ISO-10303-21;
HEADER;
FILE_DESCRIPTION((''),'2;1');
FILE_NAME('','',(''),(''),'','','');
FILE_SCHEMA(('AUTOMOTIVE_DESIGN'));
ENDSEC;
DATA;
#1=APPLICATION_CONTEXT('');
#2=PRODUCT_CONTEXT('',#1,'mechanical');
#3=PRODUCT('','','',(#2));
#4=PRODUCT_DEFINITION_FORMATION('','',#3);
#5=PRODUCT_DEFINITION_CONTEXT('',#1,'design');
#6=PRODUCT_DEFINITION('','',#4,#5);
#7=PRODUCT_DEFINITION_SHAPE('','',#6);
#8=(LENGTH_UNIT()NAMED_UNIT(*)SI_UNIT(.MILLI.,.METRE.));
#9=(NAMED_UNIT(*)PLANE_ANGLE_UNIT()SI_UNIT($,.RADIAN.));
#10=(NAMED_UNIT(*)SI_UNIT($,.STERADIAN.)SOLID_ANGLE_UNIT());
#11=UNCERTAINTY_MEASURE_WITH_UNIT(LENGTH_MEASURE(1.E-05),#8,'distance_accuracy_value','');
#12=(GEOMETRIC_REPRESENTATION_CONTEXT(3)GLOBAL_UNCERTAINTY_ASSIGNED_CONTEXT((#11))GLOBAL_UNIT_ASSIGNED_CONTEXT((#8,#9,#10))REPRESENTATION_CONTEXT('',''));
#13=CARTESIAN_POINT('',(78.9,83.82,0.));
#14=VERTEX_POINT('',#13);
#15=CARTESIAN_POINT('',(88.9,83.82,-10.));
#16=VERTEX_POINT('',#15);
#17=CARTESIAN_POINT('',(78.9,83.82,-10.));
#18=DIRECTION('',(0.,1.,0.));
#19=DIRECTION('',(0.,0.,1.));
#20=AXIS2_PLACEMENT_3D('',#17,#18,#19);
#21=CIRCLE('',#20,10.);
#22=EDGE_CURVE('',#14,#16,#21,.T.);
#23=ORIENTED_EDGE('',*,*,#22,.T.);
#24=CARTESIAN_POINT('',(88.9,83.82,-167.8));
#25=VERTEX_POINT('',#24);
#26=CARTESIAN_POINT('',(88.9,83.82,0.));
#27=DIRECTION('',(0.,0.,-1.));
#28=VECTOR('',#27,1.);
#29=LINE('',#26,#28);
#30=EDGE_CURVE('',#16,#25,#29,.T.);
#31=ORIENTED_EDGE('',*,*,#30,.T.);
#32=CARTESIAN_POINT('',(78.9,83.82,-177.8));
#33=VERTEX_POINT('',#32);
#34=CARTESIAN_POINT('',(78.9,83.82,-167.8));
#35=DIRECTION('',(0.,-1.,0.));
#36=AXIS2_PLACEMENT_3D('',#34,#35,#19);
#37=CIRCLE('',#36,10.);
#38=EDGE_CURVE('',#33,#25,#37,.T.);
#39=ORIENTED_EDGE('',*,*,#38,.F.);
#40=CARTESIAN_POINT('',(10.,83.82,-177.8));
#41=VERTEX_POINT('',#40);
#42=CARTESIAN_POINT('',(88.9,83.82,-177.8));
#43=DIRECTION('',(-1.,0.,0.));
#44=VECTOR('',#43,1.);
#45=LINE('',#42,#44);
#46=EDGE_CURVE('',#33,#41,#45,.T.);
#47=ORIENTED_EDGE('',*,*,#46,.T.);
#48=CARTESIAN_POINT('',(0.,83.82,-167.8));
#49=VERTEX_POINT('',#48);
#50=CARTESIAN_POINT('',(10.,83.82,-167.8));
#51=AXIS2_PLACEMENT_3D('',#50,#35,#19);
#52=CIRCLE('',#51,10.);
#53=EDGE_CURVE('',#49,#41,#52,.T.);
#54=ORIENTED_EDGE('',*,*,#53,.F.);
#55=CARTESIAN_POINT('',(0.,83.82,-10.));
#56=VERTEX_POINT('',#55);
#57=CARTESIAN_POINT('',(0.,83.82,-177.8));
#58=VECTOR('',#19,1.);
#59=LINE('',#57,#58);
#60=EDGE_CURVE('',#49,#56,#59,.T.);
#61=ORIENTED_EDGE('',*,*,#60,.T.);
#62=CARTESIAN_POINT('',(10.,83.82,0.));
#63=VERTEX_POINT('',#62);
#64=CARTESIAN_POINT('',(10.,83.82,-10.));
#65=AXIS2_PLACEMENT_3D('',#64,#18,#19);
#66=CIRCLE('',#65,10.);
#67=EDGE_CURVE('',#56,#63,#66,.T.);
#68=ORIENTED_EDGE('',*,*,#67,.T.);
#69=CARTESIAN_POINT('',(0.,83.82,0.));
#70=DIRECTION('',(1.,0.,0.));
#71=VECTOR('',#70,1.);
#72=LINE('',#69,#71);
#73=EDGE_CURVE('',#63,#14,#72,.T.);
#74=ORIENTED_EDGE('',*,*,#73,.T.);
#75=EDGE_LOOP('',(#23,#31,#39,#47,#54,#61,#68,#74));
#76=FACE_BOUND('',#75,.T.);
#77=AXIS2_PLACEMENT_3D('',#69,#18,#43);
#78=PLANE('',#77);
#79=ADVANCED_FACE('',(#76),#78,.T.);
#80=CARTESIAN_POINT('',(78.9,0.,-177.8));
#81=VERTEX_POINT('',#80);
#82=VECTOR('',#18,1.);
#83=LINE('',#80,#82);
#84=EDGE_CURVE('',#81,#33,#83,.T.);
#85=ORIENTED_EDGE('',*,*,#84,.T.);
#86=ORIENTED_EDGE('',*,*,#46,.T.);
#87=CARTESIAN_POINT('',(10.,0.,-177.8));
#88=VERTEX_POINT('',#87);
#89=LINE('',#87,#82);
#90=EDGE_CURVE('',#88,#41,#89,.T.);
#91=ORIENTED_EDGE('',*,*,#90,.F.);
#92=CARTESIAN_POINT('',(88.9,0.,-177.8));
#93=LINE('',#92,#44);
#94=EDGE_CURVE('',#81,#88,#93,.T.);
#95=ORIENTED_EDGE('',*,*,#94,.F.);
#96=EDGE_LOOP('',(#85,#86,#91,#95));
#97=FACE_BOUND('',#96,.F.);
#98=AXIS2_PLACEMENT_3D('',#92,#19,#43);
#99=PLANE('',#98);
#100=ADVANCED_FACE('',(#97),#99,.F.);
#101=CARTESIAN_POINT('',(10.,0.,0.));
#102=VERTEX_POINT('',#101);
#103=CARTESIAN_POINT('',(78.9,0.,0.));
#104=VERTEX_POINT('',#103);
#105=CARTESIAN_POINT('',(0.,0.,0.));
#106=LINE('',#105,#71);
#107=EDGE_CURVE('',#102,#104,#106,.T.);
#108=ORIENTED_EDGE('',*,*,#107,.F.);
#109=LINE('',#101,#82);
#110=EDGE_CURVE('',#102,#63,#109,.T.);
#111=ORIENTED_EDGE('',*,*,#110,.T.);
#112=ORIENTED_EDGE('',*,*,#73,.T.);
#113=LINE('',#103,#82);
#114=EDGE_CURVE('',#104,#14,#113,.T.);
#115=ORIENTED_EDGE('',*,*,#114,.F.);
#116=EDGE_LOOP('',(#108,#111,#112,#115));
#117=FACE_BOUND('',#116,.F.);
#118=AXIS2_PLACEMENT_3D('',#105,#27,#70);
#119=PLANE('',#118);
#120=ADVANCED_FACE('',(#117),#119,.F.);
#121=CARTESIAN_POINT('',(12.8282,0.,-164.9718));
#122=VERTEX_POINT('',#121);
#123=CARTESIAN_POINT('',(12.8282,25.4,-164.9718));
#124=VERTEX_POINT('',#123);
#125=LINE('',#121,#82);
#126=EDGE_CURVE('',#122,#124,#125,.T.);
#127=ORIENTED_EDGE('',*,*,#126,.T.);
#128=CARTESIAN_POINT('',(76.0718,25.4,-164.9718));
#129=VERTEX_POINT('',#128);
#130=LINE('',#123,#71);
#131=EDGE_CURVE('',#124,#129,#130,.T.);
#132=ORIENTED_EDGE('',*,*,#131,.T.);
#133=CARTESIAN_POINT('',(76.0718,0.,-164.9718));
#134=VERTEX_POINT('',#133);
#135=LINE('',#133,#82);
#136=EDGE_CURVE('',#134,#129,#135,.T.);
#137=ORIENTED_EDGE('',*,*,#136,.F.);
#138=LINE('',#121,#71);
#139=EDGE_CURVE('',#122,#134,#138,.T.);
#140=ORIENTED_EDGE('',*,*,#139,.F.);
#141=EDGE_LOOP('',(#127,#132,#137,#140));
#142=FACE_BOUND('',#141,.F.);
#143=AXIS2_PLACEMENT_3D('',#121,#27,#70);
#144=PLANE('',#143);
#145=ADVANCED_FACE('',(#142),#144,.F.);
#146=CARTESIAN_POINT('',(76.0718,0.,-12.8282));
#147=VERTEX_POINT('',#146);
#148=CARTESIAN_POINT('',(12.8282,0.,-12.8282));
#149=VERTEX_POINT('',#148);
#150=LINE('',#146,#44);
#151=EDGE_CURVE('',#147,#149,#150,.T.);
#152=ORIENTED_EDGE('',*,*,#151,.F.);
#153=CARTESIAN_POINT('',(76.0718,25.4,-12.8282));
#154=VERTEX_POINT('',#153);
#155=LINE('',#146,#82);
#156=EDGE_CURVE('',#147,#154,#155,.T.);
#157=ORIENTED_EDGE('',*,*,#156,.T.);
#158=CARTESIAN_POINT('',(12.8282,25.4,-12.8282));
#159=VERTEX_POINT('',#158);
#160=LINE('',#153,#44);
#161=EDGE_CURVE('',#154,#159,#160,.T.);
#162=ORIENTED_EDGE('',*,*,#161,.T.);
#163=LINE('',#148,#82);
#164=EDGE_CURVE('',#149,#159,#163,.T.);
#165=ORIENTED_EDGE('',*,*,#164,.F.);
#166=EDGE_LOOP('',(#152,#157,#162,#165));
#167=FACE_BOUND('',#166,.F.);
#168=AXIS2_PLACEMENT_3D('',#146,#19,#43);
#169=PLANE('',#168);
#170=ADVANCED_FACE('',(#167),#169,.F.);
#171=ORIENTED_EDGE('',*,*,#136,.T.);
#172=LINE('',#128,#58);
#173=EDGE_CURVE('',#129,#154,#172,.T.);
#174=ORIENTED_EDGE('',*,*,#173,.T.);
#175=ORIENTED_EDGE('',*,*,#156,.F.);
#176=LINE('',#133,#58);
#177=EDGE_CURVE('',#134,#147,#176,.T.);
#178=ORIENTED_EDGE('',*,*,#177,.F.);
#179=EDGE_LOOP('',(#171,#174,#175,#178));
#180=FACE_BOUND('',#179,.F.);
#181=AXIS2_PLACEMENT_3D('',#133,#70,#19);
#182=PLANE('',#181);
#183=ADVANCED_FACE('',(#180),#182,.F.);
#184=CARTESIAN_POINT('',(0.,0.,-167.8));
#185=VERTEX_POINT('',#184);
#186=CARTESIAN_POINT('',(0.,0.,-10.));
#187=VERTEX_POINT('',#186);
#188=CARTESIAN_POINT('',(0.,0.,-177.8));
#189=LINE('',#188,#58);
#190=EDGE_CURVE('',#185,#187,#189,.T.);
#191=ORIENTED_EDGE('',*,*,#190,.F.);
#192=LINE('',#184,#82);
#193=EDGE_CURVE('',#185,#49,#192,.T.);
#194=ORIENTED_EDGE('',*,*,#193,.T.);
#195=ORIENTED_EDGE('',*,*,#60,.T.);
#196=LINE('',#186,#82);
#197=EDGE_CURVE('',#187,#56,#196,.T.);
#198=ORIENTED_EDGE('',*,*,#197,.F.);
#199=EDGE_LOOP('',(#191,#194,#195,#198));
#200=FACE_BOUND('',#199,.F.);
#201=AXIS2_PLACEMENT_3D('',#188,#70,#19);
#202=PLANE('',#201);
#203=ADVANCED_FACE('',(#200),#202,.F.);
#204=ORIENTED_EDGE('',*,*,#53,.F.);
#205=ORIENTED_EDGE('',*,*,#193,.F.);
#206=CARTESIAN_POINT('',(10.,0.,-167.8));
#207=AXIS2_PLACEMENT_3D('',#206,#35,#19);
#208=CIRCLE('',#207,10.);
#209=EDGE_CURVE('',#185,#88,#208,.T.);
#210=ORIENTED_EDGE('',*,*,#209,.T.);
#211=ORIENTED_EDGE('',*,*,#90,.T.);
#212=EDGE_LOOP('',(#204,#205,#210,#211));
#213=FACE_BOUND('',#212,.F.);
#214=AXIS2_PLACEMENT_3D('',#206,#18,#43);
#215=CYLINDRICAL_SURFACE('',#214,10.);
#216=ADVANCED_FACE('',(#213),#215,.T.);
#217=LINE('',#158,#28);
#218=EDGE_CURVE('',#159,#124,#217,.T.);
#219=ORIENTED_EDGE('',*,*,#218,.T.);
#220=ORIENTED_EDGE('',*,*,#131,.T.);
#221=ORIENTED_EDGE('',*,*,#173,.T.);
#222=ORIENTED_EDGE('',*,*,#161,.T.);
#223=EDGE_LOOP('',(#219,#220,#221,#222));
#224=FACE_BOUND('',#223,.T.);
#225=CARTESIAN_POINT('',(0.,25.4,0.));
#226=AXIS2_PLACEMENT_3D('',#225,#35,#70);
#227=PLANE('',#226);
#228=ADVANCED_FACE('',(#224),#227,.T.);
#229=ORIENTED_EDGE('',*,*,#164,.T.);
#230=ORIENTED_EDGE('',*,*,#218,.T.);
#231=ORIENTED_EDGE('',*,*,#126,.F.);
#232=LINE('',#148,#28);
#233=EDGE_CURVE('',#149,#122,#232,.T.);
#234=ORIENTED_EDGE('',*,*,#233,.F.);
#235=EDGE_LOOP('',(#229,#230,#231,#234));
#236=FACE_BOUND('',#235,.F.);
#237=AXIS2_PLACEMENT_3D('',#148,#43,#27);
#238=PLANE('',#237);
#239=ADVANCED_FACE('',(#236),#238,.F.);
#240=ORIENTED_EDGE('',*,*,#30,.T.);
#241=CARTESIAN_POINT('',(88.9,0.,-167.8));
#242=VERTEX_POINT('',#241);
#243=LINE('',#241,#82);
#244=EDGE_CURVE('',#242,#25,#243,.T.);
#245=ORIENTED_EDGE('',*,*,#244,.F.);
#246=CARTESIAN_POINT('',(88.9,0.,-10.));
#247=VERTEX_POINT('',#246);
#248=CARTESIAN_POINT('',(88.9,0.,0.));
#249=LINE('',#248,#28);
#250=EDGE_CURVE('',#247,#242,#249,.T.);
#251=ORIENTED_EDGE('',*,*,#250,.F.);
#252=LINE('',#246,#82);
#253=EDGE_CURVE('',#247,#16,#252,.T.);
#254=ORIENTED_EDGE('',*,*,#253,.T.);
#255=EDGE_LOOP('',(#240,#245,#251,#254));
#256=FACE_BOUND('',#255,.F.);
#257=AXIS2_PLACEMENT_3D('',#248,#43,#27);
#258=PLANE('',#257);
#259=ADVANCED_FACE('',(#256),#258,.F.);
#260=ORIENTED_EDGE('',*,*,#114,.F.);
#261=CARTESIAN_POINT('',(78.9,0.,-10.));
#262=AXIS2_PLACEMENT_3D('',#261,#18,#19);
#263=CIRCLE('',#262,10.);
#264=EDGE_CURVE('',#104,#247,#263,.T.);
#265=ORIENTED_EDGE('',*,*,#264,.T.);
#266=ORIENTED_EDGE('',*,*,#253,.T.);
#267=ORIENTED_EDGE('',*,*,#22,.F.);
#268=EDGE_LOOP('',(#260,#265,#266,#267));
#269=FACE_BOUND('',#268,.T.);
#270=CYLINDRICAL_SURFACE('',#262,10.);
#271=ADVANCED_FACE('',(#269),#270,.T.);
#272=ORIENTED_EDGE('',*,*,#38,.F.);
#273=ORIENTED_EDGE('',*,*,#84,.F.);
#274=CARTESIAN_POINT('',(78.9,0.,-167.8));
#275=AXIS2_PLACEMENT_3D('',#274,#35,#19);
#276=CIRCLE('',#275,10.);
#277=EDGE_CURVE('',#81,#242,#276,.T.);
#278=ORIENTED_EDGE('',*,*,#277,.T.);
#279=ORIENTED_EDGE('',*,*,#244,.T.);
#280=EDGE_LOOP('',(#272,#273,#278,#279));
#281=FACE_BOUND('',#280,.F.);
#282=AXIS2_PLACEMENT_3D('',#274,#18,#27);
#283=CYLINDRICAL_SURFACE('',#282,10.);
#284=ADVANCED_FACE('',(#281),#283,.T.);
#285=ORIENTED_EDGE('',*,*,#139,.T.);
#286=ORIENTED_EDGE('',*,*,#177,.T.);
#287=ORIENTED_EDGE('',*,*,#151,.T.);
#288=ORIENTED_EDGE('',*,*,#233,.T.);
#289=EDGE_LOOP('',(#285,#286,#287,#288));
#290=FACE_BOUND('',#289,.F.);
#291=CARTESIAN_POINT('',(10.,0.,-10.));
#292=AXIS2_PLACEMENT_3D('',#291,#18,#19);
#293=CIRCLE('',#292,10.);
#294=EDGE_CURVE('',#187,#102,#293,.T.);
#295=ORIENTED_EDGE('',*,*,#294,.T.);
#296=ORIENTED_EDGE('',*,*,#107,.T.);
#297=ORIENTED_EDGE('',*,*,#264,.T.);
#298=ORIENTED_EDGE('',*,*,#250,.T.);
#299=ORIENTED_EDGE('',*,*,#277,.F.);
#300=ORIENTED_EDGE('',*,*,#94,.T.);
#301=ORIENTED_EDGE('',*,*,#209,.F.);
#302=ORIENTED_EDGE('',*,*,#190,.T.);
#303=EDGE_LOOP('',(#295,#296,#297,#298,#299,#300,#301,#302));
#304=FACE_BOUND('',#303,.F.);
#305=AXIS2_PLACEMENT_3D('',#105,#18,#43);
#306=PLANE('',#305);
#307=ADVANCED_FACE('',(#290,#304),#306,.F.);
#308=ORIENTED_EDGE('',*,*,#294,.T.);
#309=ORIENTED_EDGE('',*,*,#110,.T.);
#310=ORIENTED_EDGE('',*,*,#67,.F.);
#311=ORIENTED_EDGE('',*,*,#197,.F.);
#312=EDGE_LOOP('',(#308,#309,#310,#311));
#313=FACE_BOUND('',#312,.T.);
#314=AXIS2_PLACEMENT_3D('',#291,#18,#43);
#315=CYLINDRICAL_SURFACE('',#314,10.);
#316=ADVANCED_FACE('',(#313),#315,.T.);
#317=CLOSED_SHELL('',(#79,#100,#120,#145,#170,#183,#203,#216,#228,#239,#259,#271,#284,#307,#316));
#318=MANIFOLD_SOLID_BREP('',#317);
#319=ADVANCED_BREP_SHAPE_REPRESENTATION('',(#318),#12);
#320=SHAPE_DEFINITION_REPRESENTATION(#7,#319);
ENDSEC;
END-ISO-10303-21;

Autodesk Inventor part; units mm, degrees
ref_plane "YZ Plane" through (0, 0, 0) normal (1, 0, 0) x (0, 1, 0)
ref_plane "XZ Plane" through (0, 0, 0) normal (0, 1, 0) x (-1, 0, 0)
ref_plane "XY Plane" through (0, 0, 0) normal (0, 0, 1) x (1, 0, 0)
sketch "Sketch1" plane through (0, 0, 0) normal (0, 1, 0) x (-1, 0, 0)
  line L0 (0, 0) -> (-88.9, 0)
  line L1 (-88.9, 0) -> (-88.9, -177.8)
  line L2 (-88.9, -177.8) -> (0, -177.8)
  line L3 (0, -177.8) -> (0, 0)
  dimension "d0" = 177.8
  dimension "d1" = 88.9
extrude "Extrusion1" add sketch "Sketch1" along normal blind 83.82
sketch "Sketch2" plane through (0, 0, 0) normal (0, -1, 0) x (1, 0, 0)
  point P0 (0, 0)
sketch "Sketch3" plane through (0, 0, 0) normal (0, -1, 0) x (1, 0, 0)
  line L0 (88.9, 0) -> (88.9, -177.8) projected
  line L1 (0, 0) -> (88.9, 0) projected
  line L2 (0, -177.8) -> (0, 0) projected
  line L3 (88.9, -177.8) -> (0, -177.8) projected
  line L4 (76.0718, -164.9718) -> (76.0718, -12.8282)
  line L5 (76.0718, -12.8282) -> (12.8282, -12.8282)
  line L6 (12.8282, -12.8282) -> (12.8282, -164.9718)
  line L7 (12.8282, -164.9718) -> (76.0718, -164.9718)
extrude "Extrusion2" cut sketch "Sketch3" against normal blind 25.4 contours L7 L6 L5 L4
fillet "Fillet1" radius 10 4 edges at (88.9, 41.91, -177.8) (0, 41.91, -177.8) (88.9, 41.91, 0) (0, 41.91, 0)
properties part number "Capstone"
